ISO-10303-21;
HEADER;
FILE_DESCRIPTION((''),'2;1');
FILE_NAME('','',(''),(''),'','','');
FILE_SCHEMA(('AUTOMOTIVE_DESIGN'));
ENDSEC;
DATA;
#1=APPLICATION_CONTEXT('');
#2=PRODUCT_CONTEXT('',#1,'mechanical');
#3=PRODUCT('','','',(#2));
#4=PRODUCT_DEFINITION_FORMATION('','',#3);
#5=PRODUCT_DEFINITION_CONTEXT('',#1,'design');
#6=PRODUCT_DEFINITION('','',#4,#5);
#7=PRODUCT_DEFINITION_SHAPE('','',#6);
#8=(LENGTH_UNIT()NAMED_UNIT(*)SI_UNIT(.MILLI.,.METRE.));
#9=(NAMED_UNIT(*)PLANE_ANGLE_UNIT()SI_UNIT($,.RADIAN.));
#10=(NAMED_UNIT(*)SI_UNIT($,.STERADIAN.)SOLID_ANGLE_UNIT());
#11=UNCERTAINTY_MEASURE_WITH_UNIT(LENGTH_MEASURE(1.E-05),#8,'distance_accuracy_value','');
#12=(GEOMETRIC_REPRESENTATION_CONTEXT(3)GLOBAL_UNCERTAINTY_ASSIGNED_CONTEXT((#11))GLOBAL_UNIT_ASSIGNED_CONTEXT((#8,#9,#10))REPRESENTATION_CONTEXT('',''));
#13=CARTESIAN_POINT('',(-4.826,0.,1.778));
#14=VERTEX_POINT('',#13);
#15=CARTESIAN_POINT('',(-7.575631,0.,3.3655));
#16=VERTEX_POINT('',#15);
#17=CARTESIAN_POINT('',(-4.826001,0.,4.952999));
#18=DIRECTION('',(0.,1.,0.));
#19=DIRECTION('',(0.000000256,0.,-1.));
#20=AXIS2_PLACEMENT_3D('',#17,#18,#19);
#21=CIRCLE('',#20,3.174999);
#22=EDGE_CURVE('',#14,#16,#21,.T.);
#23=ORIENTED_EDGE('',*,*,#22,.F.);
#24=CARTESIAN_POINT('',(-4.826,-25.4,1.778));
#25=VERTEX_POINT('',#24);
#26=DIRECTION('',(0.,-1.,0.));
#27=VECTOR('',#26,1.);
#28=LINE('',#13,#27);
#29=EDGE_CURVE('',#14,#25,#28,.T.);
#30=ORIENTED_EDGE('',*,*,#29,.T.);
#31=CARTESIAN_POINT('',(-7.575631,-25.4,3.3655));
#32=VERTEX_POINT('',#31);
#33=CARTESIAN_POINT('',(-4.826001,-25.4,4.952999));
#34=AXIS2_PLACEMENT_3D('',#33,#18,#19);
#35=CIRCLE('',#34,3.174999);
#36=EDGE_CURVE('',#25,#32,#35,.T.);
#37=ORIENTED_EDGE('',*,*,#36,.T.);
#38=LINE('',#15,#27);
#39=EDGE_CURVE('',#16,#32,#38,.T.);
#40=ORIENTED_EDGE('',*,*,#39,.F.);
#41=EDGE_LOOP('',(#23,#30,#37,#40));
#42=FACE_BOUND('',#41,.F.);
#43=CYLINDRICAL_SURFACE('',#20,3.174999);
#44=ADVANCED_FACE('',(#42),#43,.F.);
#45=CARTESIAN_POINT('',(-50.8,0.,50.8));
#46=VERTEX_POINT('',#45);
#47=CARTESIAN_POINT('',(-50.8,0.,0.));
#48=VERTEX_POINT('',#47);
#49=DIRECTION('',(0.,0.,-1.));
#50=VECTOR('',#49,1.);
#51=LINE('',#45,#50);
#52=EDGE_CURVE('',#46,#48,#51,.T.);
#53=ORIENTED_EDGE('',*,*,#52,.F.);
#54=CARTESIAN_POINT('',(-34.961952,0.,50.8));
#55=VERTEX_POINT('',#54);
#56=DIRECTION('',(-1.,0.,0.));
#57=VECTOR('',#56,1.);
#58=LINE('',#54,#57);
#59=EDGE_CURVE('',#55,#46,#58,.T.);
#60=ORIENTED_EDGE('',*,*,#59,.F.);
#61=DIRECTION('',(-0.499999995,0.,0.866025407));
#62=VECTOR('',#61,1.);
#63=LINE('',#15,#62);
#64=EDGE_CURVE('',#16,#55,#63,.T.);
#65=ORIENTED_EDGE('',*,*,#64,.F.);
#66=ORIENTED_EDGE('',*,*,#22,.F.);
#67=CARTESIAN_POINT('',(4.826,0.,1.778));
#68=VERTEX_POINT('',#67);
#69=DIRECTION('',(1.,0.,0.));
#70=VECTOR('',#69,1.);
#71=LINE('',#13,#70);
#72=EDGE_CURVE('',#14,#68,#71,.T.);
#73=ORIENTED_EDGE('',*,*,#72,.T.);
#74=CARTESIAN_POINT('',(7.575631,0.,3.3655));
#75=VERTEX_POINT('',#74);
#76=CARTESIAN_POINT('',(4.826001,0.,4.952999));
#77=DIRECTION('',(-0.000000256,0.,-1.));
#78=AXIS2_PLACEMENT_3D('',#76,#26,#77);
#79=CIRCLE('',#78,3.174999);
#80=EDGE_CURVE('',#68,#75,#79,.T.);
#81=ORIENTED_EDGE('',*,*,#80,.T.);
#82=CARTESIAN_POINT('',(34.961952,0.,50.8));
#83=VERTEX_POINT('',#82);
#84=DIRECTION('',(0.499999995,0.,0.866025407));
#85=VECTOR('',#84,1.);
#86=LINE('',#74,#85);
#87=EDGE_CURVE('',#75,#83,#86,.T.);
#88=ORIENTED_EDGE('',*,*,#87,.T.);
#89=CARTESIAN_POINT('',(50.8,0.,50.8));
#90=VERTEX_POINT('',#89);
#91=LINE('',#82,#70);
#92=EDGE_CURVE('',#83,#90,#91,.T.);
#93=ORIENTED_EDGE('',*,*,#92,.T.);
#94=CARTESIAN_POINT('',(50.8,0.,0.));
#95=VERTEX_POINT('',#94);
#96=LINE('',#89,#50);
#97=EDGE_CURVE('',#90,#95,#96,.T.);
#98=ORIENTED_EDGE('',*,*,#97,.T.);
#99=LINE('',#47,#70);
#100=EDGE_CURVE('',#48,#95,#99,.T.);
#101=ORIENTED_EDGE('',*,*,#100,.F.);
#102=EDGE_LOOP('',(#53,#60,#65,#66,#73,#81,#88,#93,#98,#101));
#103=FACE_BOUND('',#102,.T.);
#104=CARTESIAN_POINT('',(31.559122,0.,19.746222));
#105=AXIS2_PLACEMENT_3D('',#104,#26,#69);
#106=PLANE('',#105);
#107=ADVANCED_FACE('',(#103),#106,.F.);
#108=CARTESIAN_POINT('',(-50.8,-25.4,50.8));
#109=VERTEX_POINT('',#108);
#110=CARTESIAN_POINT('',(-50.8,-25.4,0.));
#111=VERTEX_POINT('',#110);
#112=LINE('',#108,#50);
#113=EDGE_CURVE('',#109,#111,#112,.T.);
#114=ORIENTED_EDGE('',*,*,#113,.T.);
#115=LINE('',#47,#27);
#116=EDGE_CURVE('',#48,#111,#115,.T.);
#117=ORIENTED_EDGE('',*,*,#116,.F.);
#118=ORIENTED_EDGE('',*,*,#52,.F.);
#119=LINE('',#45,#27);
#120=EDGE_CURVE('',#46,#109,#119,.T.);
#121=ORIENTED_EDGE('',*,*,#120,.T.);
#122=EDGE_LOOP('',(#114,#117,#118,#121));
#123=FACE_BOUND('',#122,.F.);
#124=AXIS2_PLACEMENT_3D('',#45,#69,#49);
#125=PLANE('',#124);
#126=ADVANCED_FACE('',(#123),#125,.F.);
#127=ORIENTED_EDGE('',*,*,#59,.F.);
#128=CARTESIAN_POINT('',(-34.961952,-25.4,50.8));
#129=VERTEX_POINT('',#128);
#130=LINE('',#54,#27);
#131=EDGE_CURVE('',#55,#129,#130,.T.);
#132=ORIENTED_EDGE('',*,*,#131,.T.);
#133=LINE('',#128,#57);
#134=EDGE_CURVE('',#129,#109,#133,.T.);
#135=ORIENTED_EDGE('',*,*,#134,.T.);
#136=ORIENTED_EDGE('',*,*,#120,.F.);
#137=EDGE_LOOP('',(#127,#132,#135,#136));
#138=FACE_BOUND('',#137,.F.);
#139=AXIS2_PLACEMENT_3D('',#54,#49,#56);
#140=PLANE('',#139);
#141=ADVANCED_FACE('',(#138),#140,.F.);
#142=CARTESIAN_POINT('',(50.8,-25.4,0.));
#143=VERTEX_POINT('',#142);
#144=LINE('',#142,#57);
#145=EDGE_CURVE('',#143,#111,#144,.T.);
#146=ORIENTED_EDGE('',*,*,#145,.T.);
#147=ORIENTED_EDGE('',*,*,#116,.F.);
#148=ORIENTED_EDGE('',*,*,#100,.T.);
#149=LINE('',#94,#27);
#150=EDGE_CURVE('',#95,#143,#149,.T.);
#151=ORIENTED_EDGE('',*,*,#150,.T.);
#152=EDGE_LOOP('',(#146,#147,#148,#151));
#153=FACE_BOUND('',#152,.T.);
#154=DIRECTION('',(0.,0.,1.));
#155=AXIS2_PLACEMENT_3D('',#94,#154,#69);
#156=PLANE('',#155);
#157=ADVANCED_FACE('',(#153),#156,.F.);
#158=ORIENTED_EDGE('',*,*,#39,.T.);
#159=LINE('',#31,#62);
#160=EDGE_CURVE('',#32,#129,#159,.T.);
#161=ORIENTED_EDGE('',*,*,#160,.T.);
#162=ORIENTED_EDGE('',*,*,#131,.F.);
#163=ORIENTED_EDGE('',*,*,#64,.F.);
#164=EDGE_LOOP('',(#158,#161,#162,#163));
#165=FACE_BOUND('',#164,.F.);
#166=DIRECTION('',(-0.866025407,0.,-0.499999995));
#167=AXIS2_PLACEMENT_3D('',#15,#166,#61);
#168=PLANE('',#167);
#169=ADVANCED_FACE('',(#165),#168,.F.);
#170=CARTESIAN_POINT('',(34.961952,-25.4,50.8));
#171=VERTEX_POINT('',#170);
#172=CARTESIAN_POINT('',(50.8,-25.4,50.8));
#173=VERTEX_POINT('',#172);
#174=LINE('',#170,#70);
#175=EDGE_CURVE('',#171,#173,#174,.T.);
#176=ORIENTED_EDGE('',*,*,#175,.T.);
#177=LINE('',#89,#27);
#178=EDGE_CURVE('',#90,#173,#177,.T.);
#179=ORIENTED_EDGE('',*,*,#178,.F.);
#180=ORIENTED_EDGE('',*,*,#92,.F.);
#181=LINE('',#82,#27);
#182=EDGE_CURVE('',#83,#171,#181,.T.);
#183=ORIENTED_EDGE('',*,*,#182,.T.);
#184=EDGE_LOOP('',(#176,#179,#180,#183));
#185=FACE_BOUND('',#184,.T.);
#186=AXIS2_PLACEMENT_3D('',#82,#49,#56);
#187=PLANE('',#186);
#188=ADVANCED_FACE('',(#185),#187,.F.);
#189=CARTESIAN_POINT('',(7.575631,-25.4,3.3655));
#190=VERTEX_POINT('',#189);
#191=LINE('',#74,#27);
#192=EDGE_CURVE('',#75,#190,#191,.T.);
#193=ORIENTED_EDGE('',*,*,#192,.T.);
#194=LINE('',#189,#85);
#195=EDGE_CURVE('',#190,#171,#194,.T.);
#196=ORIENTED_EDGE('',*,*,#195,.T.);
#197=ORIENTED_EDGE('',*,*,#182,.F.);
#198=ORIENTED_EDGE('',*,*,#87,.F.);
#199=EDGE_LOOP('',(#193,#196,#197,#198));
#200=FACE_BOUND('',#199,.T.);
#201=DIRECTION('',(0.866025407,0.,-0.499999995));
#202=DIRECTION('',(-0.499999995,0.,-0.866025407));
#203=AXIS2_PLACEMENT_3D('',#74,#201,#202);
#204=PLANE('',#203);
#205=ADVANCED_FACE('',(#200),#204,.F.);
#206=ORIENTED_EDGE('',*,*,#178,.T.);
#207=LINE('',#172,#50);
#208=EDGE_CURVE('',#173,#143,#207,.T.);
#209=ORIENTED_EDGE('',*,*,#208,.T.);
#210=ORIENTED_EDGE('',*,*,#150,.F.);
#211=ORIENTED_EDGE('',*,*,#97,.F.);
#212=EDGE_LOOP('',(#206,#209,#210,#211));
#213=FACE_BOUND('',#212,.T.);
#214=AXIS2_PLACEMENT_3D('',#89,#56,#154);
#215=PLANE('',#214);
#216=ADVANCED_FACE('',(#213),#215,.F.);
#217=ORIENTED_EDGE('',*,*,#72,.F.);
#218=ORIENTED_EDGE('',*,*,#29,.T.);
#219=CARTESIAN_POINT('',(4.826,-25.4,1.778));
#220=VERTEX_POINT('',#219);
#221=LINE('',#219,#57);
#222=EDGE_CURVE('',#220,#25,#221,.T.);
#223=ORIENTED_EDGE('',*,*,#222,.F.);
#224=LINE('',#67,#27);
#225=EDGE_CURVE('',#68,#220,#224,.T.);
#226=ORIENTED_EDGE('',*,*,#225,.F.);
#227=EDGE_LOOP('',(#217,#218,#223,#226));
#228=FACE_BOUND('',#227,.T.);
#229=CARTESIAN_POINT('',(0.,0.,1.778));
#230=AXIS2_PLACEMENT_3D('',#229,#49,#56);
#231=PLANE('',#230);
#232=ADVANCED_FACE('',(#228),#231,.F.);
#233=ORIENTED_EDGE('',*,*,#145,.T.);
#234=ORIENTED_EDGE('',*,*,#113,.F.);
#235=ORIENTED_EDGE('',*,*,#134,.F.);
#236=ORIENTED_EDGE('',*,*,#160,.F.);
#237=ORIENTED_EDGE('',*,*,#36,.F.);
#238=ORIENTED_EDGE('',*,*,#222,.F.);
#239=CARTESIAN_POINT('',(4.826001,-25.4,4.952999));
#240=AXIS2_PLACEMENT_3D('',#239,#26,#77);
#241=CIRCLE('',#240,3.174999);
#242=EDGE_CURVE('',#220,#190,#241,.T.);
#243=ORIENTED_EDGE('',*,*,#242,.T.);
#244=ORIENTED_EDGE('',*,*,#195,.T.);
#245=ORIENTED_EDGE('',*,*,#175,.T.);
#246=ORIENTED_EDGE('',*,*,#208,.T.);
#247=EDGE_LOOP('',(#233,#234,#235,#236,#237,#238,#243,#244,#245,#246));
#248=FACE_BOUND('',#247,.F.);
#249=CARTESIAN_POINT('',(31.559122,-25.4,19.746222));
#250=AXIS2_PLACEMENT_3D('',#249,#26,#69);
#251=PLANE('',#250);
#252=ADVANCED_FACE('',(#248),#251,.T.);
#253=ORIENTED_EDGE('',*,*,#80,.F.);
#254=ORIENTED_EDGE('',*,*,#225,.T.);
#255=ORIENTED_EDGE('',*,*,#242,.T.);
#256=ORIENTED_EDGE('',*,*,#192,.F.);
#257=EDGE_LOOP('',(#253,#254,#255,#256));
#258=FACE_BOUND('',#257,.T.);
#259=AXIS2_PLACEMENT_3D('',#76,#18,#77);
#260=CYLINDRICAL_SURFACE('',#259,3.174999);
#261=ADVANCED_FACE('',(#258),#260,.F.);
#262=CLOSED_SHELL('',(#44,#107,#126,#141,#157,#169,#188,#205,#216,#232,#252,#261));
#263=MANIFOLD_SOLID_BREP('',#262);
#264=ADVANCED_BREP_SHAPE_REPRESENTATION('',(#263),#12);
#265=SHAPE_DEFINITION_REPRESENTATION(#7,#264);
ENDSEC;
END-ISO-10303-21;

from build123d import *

# Parameters (mm, degrees)
F1_DEPTH = 25.4


with BuildPart() as f1:
    # F0 (on Front) → F1 (new body)
    with BuildSketch(Plane.XZ):
        with BuildLine():
            Line((-50.8, 0), (0, 0))
            Line((0, 0), (0, 1.778))
            Line((0, 1.778), (-4.826, 1.778))
            ThreePointArc((-4.826, 1.778), (-6.4135, 2.203369), (-7.575631, 3.3655))
            Line((-7.575631, 3.3655), (-34.961952, 50.8))
            Line((-34.961952, 50.8), (-50.8, 50.8))
            Line((-50.8, 50.8), (-50.8, 0))
        make_face()
    extrude(amount=F1_DEPTH)

    # F2: F1 across plane


with BuildPart() as f1_1:
    add(f1.part)
    add(f1.part.mirror(Plane.YZ))


solid = f1_1.part
